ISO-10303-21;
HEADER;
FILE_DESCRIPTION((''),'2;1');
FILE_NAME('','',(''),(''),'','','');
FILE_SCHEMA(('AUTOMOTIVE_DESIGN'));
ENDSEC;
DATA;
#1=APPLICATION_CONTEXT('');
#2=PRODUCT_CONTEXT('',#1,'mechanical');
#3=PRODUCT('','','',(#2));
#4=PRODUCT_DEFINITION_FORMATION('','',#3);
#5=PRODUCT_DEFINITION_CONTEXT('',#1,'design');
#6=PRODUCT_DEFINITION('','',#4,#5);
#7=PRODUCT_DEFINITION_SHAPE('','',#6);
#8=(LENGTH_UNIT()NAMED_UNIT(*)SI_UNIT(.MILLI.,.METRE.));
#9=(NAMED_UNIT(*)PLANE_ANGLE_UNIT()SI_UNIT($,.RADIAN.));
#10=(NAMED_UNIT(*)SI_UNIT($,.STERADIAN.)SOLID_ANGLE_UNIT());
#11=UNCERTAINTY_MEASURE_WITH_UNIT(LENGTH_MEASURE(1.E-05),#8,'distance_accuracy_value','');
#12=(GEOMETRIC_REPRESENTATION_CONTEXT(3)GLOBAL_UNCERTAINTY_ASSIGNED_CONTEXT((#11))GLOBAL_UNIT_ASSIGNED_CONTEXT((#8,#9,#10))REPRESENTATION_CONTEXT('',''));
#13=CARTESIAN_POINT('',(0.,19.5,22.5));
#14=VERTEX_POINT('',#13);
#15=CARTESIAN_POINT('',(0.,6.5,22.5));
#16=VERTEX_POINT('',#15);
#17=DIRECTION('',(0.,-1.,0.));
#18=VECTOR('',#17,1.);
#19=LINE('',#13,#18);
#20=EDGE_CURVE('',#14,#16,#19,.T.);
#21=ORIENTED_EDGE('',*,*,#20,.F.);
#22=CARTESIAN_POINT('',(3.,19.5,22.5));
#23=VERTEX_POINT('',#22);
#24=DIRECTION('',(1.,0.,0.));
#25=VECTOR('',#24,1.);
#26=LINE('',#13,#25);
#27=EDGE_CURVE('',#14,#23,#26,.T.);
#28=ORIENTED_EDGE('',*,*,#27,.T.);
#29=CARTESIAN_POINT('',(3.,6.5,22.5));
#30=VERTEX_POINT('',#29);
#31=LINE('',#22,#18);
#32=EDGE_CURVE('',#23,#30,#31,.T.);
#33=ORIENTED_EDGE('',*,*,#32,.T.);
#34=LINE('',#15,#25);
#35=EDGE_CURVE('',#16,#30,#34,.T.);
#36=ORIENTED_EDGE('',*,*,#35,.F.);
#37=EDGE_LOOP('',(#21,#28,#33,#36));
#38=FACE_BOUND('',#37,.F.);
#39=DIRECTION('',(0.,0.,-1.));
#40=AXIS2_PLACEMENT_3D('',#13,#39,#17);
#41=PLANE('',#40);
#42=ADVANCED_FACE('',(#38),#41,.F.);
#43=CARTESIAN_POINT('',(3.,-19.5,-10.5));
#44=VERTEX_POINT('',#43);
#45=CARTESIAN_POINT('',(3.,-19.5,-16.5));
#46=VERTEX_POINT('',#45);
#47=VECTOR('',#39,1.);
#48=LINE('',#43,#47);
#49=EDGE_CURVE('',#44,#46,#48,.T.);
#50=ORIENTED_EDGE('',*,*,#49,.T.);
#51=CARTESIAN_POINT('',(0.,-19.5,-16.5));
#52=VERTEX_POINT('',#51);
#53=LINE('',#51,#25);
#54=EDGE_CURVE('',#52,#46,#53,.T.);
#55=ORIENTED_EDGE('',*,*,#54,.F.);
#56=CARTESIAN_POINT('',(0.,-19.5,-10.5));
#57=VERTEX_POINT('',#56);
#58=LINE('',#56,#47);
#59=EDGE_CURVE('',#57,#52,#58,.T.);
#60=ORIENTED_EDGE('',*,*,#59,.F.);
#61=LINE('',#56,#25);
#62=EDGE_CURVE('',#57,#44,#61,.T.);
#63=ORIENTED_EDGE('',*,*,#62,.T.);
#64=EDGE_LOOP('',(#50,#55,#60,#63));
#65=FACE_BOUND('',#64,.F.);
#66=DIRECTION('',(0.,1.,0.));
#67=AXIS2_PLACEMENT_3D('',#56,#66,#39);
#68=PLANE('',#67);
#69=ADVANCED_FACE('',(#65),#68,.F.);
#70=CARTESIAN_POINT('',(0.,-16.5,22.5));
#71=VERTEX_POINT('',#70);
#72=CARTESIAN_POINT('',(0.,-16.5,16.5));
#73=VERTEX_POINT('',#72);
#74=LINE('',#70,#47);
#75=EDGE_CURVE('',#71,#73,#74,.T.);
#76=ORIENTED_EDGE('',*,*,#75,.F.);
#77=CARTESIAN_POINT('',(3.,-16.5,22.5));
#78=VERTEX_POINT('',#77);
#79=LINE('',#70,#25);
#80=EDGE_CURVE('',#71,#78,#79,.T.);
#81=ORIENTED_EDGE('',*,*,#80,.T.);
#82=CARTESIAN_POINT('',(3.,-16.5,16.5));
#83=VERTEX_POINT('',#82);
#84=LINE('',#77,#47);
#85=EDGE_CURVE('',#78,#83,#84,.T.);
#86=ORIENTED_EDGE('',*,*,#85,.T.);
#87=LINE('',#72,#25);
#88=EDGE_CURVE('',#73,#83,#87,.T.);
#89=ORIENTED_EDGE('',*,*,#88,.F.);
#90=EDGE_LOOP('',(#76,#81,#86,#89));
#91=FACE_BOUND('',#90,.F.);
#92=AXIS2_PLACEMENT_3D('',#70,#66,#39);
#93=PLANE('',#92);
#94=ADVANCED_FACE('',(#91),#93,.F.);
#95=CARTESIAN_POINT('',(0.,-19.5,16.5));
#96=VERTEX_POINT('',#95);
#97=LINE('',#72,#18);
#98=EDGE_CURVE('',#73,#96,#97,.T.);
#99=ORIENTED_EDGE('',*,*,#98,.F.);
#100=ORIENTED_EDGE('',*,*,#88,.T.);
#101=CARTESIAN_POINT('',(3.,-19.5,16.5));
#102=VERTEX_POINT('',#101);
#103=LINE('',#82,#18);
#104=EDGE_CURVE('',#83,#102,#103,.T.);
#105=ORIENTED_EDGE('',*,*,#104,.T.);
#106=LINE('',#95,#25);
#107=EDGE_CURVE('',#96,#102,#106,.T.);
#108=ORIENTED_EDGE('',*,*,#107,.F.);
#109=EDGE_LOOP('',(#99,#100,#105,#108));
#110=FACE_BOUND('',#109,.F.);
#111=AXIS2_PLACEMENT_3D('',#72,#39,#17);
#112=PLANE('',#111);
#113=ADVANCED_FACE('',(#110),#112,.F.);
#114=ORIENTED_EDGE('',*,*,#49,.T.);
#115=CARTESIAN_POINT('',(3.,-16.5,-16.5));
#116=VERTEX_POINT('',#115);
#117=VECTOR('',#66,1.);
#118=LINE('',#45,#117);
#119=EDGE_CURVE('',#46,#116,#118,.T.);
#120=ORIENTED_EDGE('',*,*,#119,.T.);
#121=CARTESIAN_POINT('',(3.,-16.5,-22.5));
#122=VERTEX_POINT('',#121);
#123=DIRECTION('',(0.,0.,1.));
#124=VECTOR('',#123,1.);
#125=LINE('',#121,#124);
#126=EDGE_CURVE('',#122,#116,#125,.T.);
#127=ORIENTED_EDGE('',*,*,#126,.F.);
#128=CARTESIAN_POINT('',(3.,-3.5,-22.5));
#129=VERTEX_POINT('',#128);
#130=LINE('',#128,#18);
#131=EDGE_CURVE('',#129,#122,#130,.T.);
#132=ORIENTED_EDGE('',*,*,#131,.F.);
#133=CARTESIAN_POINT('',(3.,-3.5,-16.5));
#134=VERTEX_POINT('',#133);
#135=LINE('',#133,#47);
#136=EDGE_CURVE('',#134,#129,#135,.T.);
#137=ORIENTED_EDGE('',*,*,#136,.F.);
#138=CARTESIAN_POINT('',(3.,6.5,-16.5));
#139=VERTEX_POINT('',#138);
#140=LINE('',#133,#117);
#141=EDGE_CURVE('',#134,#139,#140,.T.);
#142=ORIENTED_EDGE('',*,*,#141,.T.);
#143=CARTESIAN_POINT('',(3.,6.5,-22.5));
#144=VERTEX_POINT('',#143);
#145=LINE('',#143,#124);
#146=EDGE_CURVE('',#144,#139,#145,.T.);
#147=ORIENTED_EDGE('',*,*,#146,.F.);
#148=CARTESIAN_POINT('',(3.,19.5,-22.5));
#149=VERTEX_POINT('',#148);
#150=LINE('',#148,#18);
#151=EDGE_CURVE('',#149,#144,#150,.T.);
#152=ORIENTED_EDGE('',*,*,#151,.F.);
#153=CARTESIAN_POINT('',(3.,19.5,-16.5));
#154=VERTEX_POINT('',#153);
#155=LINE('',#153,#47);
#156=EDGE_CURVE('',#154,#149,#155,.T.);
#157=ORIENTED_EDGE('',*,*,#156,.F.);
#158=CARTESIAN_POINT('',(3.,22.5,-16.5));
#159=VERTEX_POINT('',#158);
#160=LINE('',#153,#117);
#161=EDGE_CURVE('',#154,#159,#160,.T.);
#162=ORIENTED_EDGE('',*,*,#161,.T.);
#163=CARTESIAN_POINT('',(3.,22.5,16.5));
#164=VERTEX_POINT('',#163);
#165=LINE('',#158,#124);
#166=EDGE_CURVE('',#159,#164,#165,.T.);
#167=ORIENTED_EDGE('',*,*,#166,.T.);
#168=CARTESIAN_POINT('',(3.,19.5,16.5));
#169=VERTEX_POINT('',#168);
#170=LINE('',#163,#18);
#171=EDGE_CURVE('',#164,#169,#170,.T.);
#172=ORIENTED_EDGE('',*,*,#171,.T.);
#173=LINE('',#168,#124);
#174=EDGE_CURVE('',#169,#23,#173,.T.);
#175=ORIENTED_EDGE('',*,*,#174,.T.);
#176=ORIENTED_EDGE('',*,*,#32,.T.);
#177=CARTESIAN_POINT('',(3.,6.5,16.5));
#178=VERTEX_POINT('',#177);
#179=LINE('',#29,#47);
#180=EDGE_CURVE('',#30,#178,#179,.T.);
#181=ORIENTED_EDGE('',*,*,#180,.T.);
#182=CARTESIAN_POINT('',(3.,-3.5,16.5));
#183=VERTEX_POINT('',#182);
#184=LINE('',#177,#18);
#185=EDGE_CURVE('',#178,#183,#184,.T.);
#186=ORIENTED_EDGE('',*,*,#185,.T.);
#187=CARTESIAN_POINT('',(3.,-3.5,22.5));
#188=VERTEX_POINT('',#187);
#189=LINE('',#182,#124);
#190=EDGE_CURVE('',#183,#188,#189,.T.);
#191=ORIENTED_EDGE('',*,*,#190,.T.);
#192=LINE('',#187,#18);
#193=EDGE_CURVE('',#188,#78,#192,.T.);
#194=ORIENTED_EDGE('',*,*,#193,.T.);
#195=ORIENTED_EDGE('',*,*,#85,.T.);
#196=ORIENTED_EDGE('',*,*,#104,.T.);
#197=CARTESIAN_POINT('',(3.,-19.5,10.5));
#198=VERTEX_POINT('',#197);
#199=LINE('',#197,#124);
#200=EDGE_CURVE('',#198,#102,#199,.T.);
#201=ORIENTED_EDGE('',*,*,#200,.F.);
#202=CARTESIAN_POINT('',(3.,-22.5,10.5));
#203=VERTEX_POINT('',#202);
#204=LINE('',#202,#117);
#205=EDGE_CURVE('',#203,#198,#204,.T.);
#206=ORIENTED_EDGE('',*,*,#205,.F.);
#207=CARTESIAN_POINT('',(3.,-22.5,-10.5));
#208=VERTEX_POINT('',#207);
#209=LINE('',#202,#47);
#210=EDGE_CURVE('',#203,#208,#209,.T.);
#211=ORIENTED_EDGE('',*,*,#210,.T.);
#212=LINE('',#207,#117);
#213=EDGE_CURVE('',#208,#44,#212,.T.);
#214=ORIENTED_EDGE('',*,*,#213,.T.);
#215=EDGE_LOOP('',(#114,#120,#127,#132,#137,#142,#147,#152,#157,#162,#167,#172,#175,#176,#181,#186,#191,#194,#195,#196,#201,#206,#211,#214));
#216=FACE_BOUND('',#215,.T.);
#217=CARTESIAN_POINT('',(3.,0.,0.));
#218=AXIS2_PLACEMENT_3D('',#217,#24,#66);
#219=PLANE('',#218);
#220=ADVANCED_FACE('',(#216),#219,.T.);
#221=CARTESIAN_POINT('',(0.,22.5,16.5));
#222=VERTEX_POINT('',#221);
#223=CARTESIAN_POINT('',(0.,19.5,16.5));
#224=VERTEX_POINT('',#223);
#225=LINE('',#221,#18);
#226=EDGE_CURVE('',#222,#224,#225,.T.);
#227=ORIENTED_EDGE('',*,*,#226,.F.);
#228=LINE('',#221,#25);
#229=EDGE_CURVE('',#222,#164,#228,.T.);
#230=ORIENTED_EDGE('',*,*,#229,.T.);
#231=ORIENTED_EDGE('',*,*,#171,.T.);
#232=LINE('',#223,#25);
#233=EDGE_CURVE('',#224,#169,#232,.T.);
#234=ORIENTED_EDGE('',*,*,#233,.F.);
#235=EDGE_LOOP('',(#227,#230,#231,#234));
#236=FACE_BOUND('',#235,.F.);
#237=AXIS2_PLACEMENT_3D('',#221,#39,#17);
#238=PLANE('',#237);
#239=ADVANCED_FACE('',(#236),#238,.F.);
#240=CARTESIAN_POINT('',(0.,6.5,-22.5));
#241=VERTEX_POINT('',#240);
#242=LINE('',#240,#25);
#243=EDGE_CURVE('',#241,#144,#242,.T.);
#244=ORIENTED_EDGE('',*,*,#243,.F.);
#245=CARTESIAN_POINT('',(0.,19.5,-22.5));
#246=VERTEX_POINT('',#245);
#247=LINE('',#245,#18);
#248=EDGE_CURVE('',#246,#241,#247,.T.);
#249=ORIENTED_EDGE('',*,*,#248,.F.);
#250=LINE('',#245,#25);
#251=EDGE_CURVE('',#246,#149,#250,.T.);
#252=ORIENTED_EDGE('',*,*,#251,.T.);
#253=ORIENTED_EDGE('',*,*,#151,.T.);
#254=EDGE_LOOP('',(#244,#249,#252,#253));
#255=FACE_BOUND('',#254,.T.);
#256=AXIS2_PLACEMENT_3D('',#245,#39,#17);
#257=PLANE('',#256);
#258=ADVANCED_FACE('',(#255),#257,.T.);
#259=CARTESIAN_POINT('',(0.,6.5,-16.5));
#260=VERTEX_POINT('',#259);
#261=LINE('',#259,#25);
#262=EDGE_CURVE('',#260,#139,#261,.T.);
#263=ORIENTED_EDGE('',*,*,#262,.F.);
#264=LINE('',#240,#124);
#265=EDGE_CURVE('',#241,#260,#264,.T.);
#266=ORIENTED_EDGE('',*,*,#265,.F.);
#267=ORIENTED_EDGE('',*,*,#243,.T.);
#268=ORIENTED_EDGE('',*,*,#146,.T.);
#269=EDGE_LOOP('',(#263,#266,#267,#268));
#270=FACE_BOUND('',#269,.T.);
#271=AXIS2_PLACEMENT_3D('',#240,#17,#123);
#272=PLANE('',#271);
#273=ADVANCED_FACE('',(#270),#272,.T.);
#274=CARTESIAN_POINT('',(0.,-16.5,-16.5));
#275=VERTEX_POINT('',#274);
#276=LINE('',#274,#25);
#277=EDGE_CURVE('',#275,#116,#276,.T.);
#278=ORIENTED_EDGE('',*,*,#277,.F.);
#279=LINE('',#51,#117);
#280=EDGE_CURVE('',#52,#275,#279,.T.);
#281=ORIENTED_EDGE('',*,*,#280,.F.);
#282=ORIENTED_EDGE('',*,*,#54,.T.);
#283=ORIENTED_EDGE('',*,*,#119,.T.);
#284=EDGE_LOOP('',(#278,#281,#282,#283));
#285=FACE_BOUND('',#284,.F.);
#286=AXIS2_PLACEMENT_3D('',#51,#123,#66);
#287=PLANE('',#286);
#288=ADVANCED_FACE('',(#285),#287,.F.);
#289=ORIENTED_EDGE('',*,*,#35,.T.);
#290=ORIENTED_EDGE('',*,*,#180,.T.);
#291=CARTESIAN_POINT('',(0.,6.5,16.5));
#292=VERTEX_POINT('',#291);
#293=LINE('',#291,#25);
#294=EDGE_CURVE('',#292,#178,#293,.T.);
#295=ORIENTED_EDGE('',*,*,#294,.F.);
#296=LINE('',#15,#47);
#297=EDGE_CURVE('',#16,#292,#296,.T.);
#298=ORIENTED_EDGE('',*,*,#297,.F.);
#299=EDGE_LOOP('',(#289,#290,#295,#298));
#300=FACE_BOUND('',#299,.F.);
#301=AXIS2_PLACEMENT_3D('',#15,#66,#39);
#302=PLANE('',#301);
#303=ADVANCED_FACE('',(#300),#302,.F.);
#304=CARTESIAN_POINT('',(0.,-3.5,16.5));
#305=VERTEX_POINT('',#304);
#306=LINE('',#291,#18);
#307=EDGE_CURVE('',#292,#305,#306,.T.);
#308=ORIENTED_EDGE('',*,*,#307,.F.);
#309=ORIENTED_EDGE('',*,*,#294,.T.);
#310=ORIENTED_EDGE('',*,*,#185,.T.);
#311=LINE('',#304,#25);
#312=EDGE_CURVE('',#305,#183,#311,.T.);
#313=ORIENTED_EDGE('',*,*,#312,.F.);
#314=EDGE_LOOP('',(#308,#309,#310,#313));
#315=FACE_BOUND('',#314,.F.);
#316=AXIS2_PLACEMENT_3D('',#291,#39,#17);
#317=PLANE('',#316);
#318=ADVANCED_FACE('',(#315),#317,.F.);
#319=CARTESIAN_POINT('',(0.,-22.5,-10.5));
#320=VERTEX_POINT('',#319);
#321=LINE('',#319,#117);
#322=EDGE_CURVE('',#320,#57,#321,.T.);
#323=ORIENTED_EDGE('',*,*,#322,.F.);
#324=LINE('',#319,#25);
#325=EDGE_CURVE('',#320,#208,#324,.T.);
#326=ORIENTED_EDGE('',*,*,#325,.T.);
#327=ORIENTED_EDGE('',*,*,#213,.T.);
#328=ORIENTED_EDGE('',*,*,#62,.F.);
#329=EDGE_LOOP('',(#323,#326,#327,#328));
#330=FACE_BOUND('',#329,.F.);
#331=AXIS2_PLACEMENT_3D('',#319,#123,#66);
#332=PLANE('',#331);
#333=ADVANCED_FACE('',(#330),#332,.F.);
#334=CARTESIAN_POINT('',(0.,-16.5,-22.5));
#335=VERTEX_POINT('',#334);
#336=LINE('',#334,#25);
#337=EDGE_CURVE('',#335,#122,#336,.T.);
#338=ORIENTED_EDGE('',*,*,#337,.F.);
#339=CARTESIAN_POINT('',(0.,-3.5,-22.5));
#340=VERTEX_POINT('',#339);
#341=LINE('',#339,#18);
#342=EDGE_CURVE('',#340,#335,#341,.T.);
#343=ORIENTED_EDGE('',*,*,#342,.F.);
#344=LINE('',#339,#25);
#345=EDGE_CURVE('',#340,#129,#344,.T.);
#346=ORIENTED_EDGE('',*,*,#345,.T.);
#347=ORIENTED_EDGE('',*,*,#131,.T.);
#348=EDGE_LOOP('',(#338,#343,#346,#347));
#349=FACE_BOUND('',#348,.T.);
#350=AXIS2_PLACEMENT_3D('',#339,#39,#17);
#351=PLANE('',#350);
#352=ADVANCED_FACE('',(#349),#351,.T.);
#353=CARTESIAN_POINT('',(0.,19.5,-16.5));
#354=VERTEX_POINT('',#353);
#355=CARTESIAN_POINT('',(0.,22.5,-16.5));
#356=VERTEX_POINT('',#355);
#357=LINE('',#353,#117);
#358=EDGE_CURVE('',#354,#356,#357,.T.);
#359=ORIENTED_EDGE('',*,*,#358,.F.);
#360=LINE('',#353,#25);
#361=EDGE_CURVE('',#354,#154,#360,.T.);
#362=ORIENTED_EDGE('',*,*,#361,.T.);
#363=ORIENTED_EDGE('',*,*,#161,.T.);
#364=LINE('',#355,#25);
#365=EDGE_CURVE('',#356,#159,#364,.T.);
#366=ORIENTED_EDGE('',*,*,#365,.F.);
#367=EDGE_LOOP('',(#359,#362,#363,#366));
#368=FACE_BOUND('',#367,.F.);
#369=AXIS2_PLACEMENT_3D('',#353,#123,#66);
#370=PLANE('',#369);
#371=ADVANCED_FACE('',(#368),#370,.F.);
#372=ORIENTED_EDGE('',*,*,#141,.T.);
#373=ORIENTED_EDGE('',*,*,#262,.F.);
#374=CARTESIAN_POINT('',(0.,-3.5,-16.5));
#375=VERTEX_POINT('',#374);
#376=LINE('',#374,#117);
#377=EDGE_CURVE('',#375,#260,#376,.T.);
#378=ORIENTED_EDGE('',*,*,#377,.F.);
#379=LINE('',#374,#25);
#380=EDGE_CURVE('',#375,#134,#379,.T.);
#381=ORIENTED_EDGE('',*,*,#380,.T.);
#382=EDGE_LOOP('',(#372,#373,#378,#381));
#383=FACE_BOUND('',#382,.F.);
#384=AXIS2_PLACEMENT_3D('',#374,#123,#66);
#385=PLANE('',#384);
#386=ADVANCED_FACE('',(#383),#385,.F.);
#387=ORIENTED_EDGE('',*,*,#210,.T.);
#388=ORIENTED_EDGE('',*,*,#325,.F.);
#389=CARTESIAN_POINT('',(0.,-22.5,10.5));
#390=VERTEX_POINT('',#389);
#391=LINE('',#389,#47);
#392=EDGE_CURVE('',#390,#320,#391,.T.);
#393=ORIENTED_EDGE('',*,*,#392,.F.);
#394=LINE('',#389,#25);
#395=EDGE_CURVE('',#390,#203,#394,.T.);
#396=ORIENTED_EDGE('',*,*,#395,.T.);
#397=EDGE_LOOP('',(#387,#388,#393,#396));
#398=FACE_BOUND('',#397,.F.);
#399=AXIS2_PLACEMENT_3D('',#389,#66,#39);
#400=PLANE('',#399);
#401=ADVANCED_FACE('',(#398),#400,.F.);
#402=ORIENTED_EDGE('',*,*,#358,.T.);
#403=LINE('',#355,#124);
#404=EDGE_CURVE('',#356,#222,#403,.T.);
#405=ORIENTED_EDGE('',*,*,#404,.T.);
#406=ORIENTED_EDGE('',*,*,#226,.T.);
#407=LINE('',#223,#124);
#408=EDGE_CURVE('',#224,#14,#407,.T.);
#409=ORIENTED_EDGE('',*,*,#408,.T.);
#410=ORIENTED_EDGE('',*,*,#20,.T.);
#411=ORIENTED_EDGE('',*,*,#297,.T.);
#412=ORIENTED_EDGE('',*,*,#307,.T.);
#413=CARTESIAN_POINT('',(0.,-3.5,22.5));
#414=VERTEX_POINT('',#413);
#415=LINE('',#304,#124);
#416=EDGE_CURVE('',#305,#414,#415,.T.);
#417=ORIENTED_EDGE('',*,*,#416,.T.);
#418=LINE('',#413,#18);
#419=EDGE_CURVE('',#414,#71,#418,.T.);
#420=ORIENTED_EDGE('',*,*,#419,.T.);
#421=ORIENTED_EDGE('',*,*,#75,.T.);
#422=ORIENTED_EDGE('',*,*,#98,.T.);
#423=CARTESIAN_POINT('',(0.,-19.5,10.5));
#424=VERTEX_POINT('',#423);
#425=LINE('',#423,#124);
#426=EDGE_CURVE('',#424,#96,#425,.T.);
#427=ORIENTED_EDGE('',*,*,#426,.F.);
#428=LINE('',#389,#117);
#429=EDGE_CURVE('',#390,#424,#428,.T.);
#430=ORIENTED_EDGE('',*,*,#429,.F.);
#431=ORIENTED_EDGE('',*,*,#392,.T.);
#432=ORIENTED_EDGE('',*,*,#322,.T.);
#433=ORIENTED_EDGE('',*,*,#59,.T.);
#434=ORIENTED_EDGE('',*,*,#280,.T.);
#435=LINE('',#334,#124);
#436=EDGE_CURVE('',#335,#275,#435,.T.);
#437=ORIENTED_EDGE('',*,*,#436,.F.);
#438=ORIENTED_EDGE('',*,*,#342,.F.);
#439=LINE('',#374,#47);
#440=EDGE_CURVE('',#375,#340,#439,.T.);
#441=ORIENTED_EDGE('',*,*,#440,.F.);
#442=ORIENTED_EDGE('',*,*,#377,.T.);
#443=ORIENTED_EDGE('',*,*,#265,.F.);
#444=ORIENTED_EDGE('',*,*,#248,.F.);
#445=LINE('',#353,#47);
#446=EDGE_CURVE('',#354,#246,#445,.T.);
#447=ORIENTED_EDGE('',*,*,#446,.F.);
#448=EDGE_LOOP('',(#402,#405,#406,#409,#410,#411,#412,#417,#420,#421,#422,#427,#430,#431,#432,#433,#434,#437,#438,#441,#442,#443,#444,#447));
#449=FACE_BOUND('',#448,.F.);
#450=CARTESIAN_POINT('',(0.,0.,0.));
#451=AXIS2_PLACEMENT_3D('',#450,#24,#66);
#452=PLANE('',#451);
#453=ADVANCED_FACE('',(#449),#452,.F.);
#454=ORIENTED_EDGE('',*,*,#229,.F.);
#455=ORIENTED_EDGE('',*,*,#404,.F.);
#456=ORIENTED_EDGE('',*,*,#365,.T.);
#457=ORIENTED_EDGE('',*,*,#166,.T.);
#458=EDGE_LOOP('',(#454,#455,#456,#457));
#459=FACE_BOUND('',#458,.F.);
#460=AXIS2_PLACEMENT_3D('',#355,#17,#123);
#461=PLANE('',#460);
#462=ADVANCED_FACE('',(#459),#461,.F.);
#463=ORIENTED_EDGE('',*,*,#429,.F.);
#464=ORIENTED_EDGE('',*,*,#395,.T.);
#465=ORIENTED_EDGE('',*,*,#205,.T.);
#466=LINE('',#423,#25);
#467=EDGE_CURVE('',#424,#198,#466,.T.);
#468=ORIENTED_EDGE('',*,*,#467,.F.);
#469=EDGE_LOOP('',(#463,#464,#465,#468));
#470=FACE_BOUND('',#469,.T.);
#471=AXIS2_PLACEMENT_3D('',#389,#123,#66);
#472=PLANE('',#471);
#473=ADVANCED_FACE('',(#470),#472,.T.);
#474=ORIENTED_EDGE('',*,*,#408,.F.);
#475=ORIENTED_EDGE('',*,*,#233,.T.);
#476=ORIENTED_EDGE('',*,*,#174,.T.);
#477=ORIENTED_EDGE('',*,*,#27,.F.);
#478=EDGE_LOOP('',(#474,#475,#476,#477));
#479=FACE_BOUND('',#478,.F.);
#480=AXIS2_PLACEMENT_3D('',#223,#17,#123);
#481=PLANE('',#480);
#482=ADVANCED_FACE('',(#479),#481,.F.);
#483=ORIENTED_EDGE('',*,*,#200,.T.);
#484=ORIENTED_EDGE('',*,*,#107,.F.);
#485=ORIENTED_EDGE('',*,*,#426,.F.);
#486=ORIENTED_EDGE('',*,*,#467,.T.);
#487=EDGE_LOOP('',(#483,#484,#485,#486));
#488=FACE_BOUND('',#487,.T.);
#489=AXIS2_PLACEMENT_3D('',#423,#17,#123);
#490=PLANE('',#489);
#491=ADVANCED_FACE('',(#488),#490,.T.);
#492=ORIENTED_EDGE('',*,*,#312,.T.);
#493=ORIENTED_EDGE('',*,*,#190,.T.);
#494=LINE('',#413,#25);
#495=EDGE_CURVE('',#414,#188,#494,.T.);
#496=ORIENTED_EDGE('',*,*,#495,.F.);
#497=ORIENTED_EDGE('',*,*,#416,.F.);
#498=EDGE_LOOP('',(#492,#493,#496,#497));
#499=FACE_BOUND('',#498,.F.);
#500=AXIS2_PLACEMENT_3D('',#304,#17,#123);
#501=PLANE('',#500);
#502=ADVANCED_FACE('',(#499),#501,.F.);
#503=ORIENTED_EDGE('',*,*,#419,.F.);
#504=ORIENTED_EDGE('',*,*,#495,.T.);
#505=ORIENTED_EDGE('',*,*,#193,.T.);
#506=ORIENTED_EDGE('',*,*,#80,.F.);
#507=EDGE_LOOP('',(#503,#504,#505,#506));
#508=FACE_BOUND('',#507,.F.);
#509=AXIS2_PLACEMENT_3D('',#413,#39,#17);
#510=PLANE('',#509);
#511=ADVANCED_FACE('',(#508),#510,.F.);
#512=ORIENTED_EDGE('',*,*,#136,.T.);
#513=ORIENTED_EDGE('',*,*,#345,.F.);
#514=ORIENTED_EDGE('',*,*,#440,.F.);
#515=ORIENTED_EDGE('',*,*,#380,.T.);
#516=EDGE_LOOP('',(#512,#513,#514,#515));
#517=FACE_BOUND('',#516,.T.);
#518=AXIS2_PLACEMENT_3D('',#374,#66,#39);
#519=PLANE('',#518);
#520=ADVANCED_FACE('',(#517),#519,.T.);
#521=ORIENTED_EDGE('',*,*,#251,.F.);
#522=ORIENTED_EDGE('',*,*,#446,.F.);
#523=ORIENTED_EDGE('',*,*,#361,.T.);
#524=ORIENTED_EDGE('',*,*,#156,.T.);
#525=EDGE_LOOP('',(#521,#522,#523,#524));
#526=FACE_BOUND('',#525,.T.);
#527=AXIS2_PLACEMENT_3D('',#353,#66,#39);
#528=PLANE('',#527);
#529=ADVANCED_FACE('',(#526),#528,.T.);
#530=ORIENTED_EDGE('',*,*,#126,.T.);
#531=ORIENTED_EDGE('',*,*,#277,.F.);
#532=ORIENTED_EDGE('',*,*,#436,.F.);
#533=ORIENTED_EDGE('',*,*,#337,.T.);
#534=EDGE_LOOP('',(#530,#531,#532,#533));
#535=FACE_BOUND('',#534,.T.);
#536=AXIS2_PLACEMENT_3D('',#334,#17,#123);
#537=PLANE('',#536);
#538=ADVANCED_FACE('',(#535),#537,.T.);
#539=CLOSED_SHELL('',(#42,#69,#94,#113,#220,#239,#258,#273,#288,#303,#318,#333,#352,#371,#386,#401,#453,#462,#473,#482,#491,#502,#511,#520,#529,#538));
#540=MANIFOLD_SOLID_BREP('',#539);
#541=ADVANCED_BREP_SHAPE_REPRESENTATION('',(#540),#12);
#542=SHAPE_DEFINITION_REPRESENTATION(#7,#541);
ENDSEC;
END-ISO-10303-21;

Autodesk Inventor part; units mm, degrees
ref_plane "YZ Plane" through (0, 0, 0) normal (1, 0, 0) x (0, 1, 0)
ref_plane "XZ Plane" through (0, 0, 0) normal (0, 1, 0) x (-1, 0, 0)
ref_plane "XY Plane" through (0, 0, 0) normal (0, 0, 1) x (1, 0, 0)
sketch "Sketch2" plane through (0, 0, 0) normal (1, 0, 0) x (0, 1, 0)
  line L0 (22.5, 16.5) -> (19.5, 16.5)
  line L1 (-22.5, 16.5) -> (-22.5, 10.5)
  line L2 (-22.5, -16.5) -> (-19.5, -16.5)
  line L3 (22.5, -16.5) -> (22.5, 16.5)
  line L4 (22.5, 16.5) -> (-22.5, -16.5) construction
  line L5 (-22.5, 16.5) -> (22.5, -16.5) construction
  line L6 (19.5, -16.5) -> (19.5, -22.5)
  line L7 (19.5, -22.5) -> (6.5, -22.5)
  line L8 (6.5, -22.5) -> (6.5, -16.5)
  line L9 (-3.5, -16.5) -> (-3.5, -22.5)
  line L10 (-3.5, -22.5) -> (-16.5, -22.5)
  line L11 (-16.5, -22.5) -> (-16.5, -16.5)
  line L12 (-31.5, 0) -> (31.5, 0) construction
  line L13 (0, -31.5) -> (0, 31.5) construction
  line L14 (19.5, 16.5) -> (19.5, 22.5)
  line L15 (19.5, 22.5) -> (6.5, 22.5)
  line L16 (6.5, 22.5) -> (6.5, 16.5)
  line L17 (-3.5, 16.5) -> (-3.5, 22.5)
  line L18 (-3.5, 22.5) -> (-16.5, 22.5)
  line L19 (-16.5, 22.5) -> (-16.5, 16.5)
  line L20 (19.5, -16.5) -> (22.5, -16.5)
  line L21 (6.5, -16.5) -> (19.5, -16.5)
  line L22 (-3.5, -16.5) -> (6.5, -16.5)
  line L23 (-16.5, -16.5) -> (-3.5, -16.5)
  line L24 (-16.5, 16.5) -> (-19.5, 16.5)
  line L25 (-3.5, 16.5) -> (-16.5, 16.5)
  line L26 (6.5, 16.5) -> (-3.5, 16.5)
  line L27 (19.5, 16.5) -> (6.5, 16.5)
  line L28 (-22.5, -10.5) -> (-19.5, -10.5)
  line L29 (-19.5, -10.5) -> (-19.5, -16.5)
  line L30 (-22.5, 10.5) -> (-19.5, 10.5)
  line L31 (-19.5, 10.5) -> (-19.5, 16.5)
  line L32 (-19.5, 16.5) -> (-22.5, 16.5)
  line L33 (-19.5, -16.5) -> (-16.5, -16.5)
  line L34 (-22.5, 10.5) -> (-22.5, -16.5)
  point P0 (0, 0)
  dimension "d0" = 45
  dimension "d1" = 33
  dimension "d4" = 6
  dimension "d5" = 3
  dimension "d6" = 13
  dimension "d7" = 13
  dimension "d8" = 10
  dimension "d11" = 3
  dimension "d12" = 6
  dimension "d14" = 3
  dimension "d15" = 6
extrude "Extrusion1" add sketch "Sketch2" along normal blind 3 contours L3 L20 L21 L22 L23 L33 L29 L28 L34 L30 L31 L24 L25 L26 L27 L0 | L27 L16 L15 L14 | L6 L7 L8 L21 | L25 L19 L18 L17 | L9 L10 L11 L23
properties part number "X-Anchor_Inner"
